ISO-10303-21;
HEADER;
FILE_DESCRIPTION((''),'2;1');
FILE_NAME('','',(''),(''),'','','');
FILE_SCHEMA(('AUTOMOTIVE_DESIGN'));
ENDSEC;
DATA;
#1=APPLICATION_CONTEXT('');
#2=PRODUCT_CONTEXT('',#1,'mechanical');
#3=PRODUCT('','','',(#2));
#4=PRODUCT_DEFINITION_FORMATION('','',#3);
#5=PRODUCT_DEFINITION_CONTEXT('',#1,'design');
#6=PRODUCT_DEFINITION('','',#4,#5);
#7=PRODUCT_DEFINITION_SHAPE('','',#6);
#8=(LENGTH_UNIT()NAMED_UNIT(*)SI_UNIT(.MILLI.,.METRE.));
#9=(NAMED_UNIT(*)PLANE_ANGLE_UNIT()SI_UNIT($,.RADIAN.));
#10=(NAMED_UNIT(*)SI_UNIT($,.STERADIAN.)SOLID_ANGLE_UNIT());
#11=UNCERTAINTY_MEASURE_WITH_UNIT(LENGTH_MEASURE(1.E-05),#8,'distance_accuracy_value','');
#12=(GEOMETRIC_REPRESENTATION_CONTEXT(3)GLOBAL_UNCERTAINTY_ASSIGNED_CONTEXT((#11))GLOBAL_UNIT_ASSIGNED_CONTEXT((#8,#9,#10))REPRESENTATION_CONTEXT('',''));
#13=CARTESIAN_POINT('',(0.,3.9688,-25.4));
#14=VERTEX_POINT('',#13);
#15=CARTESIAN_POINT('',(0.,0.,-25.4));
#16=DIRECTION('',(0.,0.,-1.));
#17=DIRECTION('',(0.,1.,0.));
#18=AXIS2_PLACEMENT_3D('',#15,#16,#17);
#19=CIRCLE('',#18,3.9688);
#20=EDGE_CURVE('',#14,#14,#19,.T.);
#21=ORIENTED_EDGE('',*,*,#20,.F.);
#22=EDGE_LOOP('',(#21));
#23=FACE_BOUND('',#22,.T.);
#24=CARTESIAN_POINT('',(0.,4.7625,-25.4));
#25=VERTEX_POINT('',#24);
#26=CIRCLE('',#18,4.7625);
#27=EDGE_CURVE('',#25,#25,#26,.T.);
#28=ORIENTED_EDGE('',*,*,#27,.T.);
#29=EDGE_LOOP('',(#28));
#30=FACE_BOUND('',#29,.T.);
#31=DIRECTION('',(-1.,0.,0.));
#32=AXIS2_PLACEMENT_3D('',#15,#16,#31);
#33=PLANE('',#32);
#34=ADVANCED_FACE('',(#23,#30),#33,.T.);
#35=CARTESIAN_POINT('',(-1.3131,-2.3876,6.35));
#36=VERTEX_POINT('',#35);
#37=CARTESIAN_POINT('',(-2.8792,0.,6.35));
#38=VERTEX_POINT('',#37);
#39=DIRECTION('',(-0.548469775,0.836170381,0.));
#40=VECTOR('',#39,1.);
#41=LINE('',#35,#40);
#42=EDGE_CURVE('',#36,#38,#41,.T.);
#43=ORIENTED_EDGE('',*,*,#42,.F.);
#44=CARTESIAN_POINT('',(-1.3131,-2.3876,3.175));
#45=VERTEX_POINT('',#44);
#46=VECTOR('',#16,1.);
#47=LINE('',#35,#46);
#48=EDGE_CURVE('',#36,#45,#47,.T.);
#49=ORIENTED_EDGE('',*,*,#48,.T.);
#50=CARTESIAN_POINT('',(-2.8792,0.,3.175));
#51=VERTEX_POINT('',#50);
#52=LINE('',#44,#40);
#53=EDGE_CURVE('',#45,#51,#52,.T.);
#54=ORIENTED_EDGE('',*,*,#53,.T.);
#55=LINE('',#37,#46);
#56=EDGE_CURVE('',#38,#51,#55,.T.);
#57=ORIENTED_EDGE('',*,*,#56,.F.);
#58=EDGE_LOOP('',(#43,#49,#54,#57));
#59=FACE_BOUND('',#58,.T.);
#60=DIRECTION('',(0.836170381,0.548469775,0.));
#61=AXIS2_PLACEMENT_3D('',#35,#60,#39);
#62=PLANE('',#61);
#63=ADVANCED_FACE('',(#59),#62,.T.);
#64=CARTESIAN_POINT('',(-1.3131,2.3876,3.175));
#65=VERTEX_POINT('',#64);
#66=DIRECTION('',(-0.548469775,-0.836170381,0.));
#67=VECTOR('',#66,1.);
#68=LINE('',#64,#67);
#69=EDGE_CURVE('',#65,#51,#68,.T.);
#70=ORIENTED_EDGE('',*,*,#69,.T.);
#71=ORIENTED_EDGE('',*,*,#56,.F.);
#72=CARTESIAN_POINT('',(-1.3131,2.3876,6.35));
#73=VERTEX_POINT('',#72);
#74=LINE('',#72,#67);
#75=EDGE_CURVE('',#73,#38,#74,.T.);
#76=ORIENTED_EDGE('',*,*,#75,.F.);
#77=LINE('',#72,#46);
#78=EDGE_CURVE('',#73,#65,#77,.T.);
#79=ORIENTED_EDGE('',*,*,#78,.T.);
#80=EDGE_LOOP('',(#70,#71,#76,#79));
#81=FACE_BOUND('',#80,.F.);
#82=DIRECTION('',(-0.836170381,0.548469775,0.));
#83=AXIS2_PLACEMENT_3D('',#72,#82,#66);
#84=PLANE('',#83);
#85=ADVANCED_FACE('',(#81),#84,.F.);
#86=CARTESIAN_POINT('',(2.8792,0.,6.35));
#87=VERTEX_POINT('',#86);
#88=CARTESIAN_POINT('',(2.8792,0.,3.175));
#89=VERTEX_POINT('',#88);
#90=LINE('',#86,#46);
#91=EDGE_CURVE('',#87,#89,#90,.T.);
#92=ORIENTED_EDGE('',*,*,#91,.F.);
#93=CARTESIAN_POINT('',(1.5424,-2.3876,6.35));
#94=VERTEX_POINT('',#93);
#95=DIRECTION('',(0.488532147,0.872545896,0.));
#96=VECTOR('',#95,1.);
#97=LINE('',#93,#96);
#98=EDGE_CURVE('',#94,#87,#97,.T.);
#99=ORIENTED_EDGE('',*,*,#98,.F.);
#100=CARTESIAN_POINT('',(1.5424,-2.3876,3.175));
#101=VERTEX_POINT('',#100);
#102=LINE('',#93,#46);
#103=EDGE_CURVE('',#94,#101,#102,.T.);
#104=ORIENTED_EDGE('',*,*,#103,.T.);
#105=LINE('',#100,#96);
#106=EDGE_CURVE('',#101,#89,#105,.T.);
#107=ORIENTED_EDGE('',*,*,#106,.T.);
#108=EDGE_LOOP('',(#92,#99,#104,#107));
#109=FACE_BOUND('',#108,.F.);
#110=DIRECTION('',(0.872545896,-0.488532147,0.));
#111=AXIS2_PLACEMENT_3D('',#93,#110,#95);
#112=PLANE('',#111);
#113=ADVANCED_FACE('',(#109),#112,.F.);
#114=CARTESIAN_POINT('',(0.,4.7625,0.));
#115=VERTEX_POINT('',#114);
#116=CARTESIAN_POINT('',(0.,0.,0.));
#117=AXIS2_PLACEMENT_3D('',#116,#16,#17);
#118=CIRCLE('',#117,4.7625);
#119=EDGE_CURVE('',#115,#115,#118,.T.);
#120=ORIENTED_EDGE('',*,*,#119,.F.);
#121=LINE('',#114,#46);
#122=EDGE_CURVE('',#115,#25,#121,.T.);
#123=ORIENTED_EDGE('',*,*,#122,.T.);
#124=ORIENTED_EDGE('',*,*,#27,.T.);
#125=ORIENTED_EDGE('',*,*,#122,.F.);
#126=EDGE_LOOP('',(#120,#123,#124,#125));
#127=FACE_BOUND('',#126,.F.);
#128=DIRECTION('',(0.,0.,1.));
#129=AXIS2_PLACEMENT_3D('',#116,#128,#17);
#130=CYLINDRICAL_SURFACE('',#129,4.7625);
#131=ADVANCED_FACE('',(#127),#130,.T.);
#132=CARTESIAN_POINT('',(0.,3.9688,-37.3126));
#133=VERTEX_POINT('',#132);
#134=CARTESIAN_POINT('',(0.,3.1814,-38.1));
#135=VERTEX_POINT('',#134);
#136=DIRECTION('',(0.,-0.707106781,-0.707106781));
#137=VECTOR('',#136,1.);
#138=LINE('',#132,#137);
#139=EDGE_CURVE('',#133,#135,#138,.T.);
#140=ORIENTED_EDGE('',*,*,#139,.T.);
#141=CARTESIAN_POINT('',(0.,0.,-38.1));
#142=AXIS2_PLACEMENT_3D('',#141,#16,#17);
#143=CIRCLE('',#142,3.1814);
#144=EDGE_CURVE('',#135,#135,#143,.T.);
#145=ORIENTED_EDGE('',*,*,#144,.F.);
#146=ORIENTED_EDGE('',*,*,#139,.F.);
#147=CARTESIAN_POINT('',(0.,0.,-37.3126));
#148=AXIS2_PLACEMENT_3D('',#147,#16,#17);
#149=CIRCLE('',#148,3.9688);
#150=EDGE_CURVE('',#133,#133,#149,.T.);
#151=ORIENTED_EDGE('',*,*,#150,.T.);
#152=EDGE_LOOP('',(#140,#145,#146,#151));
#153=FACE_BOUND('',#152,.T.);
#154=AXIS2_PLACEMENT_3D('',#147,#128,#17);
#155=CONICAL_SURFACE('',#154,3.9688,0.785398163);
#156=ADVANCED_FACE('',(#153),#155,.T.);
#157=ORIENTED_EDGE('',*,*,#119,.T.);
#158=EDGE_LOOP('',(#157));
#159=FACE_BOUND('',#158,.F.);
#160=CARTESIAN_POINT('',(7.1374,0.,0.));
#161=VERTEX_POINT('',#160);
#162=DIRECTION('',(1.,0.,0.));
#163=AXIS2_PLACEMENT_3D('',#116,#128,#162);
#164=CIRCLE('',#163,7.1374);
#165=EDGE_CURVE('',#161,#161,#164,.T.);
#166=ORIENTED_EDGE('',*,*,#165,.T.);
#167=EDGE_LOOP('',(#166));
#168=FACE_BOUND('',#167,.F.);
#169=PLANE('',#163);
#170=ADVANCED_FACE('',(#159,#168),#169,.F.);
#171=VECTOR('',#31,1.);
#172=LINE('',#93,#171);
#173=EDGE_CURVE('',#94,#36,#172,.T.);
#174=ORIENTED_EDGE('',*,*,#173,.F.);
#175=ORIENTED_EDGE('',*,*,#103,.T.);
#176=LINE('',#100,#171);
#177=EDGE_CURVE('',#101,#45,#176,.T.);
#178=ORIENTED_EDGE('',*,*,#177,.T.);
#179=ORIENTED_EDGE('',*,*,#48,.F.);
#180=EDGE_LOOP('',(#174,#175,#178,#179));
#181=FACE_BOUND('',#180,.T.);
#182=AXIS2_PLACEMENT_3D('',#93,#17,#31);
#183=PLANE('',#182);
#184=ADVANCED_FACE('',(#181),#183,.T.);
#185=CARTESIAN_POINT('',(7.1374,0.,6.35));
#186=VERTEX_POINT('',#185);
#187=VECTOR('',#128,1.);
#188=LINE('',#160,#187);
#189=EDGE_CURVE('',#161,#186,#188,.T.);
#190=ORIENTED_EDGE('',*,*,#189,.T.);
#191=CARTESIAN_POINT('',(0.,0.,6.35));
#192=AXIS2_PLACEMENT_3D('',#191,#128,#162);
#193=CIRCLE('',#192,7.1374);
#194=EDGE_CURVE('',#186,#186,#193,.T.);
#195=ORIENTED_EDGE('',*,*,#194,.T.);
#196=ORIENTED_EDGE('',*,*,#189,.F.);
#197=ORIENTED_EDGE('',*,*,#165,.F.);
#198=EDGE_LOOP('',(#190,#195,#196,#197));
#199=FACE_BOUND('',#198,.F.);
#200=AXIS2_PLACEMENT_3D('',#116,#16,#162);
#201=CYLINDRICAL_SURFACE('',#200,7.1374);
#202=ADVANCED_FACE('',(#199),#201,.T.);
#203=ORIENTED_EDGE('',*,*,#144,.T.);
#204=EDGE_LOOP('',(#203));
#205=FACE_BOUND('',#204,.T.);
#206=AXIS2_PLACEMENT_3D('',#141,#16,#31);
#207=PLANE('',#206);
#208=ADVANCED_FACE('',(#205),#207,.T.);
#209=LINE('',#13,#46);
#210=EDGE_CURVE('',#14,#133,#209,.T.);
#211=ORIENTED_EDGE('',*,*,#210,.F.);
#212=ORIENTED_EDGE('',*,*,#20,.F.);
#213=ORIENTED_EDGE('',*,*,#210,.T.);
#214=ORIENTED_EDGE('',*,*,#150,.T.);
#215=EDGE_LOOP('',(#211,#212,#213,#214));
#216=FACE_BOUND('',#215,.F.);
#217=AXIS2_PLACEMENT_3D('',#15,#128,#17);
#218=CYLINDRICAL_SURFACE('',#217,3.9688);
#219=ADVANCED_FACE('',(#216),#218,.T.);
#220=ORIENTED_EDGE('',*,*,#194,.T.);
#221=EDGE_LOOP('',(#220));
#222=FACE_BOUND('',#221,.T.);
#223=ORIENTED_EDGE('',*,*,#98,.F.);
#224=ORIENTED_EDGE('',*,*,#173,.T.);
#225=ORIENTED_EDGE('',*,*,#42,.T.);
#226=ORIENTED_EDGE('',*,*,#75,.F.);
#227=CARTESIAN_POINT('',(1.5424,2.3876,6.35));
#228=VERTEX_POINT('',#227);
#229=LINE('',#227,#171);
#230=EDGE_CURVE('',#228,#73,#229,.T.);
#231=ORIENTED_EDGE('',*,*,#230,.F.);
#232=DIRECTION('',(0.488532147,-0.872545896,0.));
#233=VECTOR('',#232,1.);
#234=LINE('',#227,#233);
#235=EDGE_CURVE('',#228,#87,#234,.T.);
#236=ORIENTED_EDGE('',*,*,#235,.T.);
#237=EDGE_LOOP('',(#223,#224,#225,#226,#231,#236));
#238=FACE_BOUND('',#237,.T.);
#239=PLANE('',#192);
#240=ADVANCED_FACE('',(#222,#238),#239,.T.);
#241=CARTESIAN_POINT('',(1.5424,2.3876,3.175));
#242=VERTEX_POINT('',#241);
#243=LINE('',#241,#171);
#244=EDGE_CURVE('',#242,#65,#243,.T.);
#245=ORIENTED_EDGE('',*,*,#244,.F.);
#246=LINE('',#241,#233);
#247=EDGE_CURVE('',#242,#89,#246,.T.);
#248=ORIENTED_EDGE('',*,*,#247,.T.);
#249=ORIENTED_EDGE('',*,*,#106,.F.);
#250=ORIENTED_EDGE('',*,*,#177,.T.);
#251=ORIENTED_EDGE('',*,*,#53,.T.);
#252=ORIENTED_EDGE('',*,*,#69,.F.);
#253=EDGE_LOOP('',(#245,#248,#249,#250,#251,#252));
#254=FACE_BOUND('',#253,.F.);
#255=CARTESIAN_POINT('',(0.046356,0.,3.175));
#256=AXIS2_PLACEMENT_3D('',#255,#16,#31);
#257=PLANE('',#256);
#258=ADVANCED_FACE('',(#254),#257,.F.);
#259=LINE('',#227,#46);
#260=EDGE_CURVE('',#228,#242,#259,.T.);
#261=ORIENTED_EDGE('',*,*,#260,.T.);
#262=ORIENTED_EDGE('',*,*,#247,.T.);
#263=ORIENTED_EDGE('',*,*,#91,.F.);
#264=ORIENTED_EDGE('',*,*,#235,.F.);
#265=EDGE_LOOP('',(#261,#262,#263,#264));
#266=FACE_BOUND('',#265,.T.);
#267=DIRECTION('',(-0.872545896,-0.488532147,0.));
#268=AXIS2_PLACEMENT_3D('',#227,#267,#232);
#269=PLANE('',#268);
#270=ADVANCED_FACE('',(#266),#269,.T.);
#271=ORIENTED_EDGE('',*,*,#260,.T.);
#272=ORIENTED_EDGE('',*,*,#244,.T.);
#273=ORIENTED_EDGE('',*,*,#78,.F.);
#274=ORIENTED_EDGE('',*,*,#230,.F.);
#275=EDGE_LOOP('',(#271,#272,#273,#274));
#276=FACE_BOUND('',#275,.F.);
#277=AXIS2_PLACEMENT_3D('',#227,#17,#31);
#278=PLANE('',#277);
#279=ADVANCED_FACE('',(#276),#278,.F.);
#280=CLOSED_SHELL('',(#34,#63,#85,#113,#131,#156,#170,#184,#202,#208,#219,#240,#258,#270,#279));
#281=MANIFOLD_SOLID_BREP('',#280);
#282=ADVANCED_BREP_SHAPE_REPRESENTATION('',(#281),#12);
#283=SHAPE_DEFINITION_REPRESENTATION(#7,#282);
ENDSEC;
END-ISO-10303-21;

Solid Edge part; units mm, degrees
sketch "Sketch1" plane through (0, 0, 0) normal (0, 0, 1) x (1, 0, 0)
  circle A0 centre (0, 0) radius 7.1374
  dimension "D1" = 14.2748
extrude "Protrusion1" add sketch "Sketch1" along normal blind 6.35
sketch "Sketch2" plane through (0, 0, 0) normal (0, 0, -1) x (0, 1, 0)
  circle A0 centre (0, 0) radius 4.7625
  dimension "D1" = 9.525
extrude "Protrusion2" add sketch "Sketch2" along normal blind 25.4
sketch "Sketch3" plane through (0, 0, -25.4) normal (0, 0, -1) x (0, 1, 0)
  circle A0 centre (0, 0) radius 3.9688
  dimension "D1" = 7.9375
extrude "Protrusion3" add sketch "Sketch3" along normal blind 12.7
sketch "Sketch4" plane through (0, 0, 6.35) normal (0, 0, 1) x (0, 1, 0)
  line L0 (-2.3876, 1.3131) -> (0, 2.8792)
  line L1 (-2.3876, -1.5424) -> (-2.3876, 1.3131)
  line L2 (-2.3876, -1.5424) -> (0, -2.8792)
  line L3 (2.3876, -1.5424) -> (0, -2.8792)
  line L4 (2.3876, -1.5424) -> (2.3876, 1.3131)
  line L5 (2.3876, 1.3131) -> (0, 2.8792)
  dimension "D1" = 4.7752
extrude "Cutout1" cut sketch "Sketch4" against normal blind 3.175
chamfer "Chamfer1" distance 0.7874 angle 45 1 edges at (0, -3.9688, -38.1)
properties part number "171469" material "Stainless Steel, 304"
